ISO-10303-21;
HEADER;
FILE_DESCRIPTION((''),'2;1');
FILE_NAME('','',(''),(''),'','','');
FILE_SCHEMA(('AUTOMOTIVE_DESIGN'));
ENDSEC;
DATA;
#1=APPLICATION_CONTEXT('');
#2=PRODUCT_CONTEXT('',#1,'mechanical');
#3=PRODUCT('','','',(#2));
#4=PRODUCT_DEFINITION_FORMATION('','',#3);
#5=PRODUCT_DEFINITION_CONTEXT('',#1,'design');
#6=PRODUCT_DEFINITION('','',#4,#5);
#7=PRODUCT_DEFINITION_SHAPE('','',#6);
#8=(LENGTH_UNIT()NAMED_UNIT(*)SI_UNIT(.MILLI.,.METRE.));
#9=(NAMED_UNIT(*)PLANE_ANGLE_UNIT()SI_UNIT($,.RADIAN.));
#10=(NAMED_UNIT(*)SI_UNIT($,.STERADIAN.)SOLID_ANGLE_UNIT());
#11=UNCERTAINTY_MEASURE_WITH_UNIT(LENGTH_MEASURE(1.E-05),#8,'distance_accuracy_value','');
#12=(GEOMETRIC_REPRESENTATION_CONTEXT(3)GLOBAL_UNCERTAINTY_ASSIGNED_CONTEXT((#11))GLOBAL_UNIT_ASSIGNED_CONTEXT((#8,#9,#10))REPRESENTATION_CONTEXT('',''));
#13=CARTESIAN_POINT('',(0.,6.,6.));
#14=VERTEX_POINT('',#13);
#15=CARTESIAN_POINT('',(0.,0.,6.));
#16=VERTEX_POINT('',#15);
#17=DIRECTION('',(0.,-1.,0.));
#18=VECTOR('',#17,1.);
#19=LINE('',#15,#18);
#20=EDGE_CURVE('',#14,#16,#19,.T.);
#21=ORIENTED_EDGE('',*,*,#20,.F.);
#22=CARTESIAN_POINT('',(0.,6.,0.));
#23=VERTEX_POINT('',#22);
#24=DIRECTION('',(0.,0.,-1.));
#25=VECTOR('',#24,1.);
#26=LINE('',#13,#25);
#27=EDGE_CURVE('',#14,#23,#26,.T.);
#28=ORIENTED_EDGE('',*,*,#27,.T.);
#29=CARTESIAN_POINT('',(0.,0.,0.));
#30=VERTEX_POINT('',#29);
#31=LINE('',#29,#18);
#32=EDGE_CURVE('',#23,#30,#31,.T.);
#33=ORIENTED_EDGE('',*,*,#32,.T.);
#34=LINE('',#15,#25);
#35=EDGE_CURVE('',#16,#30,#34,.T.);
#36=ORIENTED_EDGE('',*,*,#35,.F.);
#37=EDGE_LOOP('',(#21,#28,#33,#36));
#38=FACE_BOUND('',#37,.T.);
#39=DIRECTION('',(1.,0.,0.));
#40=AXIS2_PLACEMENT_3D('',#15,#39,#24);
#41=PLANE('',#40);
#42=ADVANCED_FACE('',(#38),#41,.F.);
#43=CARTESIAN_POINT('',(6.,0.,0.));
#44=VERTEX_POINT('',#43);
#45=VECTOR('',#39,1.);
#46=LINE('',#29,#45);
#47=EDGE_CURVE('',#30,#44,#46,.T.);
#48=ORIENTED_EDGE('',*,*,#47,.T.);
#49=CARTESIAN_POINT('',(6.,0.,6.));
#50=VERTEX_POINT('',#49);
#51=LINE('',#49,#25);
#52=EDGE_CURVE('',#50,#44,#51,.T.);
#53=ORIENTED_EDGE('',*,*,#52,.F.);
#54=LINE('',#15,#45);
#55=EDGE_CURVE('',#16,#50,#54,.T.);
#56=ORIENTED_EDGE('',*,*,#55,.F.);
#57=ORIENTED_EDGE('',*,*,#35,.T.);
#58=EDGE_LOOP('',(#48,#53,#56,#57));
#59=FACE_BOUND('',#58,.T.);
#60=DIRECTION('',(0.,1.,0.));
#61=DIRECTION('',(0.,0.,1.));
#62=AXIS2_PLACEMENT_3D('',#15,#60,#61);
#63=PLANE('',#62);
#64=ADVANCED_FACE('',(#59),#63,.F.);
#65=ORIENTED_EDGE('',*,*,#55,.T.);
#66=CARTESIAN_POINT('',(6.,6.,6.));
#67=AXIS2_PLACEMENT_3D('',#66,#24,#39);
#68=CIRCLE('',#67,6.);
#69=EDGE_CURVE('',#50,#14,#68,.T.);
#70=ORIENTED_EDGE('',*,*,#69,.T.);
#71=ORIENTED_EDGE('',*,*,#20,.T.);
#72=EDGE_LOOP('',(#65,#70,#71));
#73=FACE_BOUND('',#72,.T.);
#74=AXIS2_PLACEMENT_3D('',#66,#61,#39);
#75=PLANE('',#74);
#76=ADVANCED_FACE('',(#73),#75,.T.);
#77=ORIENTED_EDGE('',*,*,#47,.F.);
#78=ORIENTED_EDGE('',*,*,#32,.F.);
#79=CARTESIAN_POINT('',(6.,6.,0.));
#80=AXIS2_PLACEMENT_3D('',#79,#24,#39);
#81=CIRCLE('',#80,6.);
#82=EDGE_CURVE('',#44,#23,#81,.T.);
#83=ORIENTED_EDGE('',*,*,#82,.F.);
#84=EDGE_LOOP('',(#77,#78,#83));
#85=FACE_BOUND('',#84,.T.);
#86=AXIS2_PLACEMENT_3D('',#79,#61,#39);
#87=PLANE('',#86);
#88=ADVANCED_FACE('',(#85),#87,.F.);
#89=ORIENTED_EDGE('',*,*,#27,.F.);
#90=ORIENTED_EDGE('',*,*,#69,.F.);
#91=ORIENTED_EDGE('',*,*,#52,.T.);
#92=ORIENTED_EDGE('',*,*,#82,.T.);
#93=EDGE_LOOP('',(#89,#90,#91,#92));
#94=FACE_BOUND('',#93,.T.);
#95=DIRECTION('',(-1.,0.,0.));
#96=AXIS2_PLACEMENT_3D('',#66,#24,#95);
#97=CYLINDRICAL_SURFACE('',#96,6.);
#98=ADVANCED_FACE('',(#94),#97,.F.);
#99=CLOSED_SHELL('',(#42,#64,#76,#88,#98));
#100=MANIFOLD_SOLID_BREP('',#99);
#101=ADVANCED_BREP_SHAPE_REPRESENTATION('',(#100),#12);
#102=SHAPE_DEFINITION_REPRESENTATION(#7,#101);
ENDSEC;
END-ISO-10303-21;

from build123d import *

# Parameters (mm, degrees)
SALIENTE_EXTRUIR1_DEPTH = 6


with BuildPart() as part:
    # Croquis1 → Saliente-Extruir1 (new body)
    with BuildSketch(Plane.XY):
        with BuildLine():
            Line((0, 0), (6, 0))
            ThreePointArc((6, 0), (1.757359313, 1.757359313), (0, 6))
            Line((0, 6), (0, 0))
        make_face()
    extrude(amount=SALIENTE_EXTRUIR1_DEPTH)


solid = part.part
